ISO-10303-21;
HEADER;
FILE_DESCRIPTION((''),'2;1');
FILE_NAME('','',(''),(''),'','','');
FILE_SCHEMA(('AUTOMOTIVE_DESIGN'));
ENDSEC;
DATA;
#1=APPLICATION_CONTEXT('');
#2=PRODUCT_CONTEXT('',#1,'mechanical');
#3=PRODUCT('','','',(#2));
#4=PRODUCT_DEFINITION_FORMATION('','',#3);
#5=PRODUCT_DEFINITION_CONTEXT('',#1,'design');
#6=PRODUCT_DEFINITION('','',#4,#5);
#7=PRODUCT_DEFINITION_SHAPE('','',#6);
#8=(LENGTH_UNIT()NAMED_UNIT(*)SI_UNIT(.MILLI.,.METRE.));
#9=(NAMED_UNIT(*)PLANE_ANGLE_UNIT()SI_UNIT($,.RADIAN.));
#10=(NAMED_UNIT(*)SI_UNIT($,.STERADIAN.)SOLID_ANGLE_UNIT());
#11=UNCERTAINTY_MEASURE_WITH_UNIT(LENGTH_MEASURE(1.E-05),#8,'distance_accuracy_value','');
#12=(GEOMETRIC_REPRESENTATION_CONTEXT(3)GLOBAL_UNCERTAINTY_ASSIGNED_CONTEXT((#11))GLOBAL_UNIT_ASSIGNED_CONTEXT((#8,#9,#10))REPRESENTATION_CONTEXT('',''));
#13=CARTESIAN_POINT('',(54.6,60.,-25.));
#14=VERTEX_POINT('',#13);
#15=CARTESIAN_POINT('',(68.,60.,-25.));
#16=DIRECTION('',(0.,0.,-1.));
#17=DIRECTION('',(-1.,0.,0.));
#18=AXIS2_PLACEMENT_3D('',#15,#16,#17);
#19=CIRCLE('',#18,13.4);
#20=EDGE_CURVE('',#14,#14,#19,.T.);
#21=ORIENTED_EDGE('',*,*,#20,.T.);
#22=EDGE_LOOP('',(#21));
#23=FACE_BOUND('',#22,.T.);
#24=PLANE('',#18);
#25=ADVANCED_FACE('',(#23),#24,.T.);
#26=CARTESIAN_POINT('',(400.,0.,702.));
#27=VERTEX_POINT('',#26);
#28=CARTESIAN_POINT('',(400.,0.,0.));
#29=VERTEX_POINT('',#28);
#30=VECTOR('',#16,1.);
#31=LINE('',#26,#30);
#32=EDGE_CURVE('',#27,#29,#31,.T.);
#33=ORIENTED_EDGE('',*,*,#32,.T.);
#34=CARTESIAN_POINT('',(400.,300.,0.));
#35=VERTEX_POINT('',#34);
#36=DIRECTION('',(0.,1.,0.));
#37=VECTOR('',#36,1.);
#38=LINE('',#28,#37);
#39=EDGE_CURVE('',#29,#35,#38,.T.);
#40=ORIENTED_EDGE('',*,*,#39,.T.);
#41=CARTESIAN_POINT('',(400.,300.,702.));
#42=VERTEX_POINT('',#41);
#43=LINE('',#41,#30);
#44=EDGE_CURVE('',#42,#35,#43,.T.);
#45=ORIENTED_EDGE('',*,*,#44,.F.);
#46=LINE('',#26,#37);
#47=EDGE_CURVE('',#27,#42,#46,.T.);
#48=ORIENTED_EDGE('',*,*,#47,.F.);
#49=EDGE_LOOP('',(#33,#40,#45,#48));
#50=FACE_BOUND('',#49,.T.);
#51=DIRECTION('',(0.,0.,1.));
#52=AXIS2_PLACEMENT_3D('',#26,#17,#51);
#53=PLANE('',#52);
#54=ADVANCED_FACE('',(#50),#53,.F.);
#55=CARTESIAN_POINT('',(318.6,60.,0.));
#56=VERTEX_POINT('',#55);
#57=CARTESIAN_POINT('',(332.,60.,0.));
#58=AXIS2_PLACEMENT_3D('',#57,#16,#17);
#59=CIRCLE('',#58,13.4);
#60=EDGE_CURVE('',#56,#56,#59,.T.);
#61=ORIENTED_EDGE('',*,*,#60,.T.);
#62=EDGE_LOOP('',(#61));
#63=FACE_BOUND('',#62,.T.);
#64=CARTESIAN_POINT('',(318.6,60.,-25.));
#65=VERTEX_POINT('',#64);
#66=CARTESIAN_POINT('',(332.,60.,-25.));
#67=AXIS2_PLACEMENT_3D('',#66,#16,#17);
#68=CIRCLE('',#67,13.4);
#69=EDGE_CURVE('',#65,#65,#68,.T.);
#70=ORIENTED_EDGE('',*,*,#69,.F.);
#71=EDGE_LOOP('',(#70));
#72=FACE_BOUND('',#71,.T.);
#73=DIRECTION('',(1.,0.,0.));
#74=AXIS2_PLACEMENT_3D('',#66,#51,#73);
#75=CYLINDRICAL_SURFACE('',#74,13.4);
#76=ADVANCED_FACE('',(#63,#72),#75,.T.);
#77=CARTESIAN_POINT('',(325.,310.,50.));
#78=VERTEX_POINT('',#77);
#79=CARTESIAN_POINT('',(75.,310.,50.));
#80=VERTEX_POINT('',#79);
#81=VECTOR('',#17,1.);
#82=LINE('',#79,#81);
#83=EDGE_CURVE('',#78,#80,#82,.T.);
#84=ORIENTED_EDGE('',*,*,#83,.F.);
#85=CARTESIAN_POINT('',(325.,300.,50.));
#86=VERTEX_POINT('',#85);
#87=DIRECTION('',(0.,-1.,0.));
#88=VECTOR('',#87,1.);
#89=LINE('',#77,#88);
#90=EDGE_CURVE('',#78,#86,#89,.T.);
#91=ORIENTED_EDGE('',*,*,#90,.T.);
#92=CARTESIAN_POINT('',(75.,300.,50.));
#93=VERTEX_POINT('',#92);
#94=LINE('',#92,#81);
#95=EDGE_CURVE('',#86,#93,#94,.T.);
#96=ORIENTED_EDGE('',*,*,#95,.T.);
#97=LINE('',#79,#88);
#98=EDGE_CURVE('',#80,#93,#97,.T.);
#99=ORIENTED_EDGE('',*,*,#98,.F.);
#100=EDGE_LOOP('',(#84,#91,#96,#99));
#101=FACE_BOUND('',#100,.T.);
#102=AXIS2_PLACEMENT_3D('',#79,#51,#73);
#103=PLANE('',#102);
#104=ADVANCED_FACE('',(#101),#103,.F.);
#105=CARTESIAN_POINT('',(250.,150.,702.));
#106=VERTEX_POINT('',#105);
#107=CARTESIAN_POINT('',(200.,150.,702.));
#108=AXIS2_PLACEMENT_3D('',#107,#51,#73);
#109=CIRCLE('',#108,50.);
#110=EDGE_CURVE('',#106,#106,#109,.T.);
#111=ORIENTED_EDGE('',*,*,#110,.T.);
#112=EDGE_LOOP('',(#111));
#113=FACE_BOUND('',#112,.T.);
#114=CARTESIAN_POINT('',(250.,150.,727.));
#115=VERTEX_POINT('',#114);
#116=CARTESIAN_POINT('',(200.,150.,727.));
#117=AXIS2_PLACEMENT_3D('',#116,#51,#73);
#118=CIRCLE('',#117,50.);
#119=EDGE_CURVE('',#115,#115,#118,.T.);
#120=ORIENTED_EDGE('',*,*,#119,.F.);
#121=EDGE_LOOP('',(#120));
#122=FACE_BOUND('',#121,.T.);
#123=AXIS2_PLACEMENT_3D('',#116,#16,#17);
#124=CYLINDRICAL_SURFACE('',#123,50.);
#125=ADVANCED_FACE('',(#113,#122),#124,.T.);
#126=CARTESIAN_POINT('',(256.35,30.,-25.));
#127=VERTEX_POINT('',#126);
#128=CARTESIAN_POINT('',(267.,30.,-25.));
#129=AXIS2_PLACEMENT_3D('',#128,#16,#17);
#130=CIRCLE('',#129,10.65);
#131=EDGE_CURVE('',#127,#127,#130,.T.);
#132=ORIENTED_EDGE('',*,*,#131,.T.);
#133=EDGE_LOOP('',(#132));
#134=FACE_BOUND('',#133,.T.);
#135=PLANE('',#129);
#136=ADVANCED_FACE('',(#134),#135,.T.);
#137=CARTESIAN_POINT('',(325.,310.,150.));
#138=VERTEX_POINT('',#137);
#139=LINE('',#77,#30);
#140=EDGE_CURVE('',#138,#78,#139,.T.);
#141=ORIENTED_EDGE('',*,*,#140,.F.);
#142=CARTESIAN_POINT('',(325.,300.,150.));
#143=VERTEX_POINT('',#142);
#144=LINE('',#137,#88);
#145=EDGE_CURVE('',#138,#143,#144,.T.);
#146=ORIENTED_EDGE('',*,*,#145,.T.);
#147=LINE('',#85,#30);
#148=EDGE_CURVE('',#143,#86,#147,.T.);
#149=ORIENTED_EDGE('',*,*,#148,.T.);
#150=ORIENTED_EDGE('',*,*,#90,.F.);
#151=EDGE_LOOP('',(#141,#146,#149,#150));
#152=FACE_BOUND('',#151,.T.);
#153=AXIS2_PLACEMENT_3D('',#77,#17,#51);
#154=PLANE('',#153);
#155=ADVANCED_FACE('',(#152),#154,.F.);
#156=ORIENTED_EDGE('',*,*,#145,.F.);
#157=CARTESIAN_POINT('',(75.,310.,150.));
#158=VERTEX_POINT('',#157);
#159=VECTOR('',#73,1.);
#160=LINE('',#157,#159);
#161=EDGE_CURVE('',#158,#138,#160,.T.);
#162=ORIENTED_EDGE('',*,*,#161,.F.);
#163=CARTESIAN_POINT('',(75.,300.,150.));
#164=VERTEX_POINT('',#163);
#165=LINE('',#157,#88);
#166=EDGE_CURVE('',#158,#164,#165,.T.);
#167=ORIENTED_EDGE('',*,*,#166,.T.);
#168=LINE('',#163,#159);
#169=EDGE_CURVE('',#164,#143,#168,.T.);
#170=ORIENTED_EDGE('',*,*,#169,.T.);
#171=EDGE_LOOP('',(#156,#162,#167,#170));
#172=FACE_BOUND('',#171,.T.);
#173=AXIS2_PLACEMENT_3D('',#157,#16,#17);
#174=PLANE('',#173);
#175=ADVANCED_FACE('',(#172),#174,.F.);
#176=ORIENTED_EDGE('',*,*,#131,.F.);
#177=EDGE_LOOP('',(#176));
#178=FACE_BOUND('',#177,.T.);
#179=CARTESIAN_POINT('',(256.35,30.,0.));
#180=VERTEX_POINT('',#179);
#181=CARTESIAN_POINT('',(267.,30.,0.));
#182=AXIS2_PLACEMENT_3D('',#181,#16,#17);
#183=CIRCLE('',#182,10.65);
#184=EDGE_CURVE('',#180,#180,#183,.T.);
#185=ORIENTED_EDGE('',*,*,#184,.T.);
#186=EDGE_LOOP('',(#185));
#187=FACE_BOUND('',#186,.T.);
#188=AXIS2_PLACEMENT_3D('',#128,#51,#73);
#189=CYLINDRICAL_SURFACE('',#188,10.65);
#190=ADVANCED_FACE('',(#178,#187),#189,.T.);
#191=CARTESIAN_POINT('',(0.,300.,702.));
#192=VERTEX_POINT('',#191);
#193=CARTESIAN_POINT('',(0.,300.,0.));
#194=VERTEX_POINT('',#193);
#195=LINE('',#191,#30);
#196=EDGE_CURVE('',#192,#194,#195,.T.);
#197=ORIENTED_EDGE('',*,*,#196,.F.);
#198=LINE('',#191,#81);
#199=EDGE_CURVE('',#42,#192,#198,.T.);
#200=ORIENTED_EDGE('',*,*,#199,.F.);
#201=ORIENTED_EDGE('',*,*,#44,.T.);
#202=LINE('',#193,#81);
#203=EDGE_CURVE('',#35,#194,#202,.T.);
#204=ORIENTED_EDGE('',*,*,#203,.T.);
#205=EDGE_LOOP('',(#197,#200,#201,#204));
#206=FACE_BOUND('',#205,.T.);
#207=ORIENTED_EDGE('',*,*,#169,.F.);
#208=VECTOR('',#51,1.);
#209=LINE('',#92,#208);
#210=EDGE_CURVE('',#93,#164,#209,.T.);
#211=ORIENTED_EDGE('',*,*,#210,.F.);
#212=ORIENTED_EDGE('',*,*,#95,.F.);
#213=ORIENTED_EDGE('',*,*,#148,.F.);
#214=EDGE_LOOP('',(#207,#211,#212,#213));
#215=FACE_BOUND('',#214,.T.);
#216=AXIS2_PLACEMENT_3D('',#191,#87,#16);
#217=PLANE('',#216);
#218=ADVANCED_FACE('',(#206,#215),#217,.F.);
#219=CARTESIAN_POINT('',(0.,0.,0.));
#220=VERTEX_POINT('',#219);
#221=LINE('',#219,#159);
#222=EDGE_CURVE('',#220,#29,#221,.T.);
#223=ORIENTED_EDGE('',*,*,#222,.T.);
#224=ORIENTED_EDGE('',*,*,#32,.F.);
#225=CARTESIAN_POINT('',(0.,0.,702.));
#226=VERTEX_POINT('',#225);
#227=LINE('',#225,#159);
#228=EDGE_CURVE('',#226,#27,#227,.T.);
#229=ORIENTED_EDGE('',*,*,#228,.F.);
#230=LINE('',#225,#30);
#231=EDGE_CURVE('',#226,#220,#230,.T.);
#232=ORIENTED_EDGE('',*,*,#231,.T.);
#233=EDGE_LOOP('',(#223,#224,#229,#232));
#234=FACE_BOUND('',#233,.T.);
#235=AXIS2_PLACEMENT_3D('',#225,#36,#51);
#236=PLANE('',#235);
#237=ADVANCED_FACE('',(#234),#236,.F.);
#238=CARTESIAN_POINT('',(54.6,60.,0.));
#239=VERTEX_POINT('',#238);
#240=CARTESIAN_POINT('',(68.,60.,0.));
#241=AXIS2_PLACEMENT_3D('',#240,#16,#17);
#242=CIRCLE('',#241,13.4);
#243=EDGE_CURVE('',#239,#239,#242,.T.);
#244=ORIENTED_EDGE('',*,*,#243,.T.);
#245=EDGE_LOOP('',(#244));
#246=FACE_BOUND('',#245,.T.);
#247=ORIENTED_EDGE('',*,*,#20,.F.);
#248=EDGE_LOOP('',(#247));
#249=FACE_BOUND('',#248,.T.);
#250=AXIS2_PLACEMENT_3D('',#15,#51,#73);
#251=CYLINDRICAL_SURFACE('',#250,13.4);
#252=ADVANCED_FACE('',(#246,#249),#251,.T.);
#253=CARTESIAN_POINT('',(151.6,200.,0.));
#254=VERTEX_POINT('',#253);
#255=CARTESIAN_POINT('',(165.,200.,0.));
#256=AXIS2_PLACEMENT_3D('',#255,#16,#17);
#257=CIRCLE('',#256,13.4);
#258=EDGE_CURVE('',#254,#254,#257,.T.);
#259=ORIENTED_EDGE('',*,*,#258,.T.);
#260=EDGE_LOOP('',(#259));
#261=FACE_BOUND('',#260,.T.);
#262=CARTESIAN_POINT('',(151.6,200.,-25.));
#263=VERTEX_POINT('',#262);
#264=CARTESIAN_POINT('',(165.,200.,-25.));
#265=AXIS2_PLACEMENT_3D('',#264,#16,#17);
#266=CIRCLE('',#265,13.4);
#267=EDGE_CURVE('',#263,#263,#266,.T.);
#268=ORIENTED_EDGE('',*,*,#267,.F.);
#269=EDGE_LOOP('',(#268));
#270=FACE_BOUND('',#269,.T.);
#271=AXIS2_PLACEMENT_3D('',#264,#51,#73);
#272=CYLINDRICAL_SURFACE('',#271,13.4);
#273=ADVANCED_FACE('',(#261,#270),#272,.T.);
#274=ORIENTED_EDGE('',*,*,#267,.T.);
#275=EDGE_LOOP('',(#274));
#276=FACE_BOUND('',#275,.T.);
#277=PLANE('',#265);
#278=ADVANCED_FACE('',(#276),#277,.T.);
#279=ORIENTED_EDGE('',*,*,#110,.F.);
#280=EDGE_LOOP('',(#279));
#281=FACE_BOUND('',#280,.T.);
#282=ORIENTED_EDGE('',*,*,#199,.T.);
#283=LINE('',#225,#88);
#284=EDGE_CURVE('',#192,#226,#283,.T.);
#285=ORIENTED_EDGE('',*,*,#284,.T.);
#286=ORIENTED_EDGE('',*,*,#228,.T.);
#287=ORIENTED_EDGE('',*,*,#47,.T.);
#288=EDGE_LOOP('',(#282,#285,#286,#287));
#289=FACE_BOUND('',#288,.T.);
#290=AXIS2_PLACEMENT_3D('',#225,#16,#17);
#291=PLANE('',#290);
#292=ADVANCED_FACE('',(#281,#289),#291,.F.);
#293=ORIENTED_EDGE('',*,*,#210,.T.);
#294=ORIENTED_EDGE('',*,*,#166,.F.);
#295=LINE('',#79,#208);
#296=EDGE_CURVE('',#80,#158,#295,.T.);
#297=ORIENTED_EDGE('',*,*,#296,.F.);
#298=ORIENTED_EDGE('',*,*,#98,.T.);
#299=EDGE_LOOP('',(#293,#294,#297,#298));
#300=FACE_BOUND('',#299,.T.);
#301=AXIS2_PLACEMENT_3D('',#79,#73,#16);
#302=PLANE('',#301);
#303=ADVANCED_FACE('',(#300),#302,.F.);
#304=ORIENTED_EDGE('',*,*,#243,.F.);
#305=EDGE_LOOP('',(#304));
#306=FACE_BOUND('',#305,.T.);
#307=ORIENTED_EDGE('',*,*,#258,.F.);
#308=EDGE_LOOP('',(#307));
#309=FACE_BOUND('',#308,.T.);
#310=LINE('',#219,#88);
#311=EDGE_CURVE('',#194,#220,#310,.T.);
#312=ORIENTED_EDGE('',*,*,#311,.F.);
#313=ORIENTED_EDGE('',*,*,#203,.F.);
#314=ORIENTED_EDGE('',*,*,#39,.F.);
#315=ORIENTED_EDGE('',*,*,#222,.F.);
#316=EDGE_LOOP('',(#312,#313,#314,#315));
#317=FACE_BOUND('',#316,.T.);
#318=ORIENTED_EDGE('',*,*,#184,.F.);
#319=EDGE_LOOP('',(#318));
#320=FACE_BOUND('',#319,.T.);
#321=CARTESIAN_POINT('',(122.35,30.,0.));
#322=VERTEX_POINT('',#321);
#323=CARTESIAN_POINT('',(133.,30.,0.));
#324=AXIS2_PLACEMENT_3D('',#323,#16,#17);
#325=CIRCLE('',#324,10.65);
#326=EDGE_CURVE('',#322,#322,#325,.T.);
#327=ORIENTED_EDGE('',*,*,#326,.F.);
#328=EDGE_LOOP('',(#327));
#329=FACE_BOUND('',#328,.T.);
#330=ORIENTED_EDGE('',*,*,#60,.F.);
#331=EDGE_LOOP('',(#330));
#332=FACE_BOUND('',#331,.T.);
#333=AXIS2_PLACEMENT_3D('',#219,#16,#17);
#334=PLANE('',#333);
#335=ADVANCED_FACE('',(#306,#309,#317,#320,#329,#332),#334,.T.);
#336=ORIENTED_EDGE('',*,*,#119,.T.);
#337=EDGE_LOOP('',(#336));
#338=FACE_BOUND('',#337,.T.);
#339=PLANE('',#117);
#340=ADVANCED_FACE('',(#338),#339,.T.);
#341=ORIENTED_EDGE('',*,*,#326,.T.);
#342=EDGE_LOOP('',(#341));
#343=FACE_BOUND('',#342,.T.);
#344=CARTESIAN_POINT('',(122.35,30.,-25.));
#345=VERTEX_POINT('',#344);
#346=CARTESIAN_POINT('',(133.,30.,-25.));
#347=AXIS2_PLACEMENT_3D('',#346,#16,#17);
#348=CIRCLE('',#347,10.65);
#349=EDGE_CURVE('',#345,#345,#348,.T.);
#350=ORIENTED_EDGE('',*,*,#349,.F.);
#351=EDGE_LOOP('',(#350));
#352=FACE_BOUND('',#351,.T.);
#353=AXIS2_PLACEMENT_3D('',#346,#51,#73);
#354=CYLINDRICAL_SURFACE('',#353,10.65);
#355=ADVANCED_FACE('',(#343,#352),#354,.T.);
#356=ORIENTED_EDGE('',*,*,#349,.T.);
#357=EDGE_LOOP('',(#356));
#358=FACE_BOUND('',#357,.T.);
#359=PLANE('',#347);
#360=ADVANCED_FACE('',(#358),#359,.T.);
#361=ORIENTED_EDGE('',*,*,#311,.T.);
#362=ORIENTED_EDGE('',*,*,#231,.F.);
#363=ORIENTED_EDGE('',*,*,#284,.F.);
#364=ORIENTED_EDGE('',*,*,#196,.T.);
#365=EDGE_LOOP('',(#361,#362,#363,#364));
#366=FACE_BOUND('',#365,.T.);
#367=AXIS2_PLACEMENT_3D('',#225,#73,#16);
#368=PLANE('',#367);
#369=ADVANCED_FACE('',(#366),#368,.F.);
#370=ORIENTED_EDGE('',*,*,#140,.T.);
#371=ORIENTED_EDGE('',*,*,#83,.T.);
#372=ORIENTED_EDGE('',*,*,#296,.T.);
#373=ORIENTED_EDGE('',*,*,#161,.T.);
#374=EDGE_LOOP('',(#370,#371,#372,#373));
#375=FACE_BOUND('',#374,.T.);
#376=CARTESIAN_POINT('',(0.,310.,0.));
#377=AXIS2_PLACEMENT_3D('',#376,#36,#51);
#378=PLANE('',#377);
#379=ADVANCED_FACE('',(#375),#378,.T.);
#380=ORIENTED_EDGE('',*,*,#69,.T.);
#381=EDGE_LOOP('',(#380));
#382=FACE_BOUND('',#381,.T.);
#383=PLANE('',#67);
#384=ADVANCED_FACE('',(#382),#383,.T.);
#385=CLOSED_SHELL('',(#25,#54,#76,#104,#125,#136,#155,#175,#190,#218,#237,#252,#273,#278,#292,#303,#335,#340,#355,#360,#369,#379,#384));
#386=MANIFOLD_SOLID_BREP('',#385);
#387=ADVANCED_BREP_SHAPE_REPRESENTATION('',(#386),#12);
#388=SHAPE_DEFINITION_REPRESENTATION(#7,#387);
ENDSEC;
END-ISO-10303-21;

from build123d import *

# Parameters (mm, degrees)
SKETCH_1_W      = 400
SKETCH_1_H      = 300
EXTRUDE_1_DEPTH = 702
SKETCH_2_R      = 13.4
SKETCH_2_R_2    = 10.65
EXTRUDE_2_DEPTH = 25
SKETCH_3_R      = 50
EXTRUDE_3_DEPTH = 25
SKETCH_4_W      = 250
SKETCH_4_H      = 100
EXTRUDE_4_DEPTH = 10


with BuildPart() as part:
    # Эскиз1 → Бобышка-Вытянуть1 (new body)
    with BuildSketch(Plane.XY):
        with Locations((200, 150)):
            Rectangle(SKETCH_1_W, SKETCH_1_H)
    extrude(amount=EXTRUDE_1_DEPTH)

    # Эскиз2 → Бобышка-Вытянуть2 (add)
    with BuildSketch(Plane(origin=(0, 0, 0), x_dir=(-1, 0, 0), z_dir=(0, 0, -1))):
        with Locations((-332, 60)):
            Circle(SKETCH_2_R)
        with Locations((-267, 30)):
            Circle(SKETCH_2_R_2)
        with Locations((-165, 200)):
            Circle(SKETCH_2_R)
        with Locations((-133, 30)):
            Circle(SKETCH_2_R_2)
        with Locations((-68, 60)):
            Circle(SKETCH_2_R)
    extrude(amount=EXTRUDE_2_DEPTH)

    # Эскиз3 → Бобышка-Вытянуть3 (add)
    with BuildSketch(Plane.XY.offset(702)):
        with Locations((200, 150)):
            Circle(SKETCH_3_R)
    extrude(amount=EXTRUDE_3_DEPTH)

    # Эскиз4 → Бобышка-Вытянуть4 (add)
    with BuildSketch(Plane(origin=(0, 300, 0), x_dir=(1, 0, 0), z_dir=(0, 1, 0))):
        with Locations((200, -100)):
            Rectangle(SKETCH_4_W, SKETCH_4_H)
    extrude(amount=EXTRUDE_4_DEPTH)


solid = part.part
